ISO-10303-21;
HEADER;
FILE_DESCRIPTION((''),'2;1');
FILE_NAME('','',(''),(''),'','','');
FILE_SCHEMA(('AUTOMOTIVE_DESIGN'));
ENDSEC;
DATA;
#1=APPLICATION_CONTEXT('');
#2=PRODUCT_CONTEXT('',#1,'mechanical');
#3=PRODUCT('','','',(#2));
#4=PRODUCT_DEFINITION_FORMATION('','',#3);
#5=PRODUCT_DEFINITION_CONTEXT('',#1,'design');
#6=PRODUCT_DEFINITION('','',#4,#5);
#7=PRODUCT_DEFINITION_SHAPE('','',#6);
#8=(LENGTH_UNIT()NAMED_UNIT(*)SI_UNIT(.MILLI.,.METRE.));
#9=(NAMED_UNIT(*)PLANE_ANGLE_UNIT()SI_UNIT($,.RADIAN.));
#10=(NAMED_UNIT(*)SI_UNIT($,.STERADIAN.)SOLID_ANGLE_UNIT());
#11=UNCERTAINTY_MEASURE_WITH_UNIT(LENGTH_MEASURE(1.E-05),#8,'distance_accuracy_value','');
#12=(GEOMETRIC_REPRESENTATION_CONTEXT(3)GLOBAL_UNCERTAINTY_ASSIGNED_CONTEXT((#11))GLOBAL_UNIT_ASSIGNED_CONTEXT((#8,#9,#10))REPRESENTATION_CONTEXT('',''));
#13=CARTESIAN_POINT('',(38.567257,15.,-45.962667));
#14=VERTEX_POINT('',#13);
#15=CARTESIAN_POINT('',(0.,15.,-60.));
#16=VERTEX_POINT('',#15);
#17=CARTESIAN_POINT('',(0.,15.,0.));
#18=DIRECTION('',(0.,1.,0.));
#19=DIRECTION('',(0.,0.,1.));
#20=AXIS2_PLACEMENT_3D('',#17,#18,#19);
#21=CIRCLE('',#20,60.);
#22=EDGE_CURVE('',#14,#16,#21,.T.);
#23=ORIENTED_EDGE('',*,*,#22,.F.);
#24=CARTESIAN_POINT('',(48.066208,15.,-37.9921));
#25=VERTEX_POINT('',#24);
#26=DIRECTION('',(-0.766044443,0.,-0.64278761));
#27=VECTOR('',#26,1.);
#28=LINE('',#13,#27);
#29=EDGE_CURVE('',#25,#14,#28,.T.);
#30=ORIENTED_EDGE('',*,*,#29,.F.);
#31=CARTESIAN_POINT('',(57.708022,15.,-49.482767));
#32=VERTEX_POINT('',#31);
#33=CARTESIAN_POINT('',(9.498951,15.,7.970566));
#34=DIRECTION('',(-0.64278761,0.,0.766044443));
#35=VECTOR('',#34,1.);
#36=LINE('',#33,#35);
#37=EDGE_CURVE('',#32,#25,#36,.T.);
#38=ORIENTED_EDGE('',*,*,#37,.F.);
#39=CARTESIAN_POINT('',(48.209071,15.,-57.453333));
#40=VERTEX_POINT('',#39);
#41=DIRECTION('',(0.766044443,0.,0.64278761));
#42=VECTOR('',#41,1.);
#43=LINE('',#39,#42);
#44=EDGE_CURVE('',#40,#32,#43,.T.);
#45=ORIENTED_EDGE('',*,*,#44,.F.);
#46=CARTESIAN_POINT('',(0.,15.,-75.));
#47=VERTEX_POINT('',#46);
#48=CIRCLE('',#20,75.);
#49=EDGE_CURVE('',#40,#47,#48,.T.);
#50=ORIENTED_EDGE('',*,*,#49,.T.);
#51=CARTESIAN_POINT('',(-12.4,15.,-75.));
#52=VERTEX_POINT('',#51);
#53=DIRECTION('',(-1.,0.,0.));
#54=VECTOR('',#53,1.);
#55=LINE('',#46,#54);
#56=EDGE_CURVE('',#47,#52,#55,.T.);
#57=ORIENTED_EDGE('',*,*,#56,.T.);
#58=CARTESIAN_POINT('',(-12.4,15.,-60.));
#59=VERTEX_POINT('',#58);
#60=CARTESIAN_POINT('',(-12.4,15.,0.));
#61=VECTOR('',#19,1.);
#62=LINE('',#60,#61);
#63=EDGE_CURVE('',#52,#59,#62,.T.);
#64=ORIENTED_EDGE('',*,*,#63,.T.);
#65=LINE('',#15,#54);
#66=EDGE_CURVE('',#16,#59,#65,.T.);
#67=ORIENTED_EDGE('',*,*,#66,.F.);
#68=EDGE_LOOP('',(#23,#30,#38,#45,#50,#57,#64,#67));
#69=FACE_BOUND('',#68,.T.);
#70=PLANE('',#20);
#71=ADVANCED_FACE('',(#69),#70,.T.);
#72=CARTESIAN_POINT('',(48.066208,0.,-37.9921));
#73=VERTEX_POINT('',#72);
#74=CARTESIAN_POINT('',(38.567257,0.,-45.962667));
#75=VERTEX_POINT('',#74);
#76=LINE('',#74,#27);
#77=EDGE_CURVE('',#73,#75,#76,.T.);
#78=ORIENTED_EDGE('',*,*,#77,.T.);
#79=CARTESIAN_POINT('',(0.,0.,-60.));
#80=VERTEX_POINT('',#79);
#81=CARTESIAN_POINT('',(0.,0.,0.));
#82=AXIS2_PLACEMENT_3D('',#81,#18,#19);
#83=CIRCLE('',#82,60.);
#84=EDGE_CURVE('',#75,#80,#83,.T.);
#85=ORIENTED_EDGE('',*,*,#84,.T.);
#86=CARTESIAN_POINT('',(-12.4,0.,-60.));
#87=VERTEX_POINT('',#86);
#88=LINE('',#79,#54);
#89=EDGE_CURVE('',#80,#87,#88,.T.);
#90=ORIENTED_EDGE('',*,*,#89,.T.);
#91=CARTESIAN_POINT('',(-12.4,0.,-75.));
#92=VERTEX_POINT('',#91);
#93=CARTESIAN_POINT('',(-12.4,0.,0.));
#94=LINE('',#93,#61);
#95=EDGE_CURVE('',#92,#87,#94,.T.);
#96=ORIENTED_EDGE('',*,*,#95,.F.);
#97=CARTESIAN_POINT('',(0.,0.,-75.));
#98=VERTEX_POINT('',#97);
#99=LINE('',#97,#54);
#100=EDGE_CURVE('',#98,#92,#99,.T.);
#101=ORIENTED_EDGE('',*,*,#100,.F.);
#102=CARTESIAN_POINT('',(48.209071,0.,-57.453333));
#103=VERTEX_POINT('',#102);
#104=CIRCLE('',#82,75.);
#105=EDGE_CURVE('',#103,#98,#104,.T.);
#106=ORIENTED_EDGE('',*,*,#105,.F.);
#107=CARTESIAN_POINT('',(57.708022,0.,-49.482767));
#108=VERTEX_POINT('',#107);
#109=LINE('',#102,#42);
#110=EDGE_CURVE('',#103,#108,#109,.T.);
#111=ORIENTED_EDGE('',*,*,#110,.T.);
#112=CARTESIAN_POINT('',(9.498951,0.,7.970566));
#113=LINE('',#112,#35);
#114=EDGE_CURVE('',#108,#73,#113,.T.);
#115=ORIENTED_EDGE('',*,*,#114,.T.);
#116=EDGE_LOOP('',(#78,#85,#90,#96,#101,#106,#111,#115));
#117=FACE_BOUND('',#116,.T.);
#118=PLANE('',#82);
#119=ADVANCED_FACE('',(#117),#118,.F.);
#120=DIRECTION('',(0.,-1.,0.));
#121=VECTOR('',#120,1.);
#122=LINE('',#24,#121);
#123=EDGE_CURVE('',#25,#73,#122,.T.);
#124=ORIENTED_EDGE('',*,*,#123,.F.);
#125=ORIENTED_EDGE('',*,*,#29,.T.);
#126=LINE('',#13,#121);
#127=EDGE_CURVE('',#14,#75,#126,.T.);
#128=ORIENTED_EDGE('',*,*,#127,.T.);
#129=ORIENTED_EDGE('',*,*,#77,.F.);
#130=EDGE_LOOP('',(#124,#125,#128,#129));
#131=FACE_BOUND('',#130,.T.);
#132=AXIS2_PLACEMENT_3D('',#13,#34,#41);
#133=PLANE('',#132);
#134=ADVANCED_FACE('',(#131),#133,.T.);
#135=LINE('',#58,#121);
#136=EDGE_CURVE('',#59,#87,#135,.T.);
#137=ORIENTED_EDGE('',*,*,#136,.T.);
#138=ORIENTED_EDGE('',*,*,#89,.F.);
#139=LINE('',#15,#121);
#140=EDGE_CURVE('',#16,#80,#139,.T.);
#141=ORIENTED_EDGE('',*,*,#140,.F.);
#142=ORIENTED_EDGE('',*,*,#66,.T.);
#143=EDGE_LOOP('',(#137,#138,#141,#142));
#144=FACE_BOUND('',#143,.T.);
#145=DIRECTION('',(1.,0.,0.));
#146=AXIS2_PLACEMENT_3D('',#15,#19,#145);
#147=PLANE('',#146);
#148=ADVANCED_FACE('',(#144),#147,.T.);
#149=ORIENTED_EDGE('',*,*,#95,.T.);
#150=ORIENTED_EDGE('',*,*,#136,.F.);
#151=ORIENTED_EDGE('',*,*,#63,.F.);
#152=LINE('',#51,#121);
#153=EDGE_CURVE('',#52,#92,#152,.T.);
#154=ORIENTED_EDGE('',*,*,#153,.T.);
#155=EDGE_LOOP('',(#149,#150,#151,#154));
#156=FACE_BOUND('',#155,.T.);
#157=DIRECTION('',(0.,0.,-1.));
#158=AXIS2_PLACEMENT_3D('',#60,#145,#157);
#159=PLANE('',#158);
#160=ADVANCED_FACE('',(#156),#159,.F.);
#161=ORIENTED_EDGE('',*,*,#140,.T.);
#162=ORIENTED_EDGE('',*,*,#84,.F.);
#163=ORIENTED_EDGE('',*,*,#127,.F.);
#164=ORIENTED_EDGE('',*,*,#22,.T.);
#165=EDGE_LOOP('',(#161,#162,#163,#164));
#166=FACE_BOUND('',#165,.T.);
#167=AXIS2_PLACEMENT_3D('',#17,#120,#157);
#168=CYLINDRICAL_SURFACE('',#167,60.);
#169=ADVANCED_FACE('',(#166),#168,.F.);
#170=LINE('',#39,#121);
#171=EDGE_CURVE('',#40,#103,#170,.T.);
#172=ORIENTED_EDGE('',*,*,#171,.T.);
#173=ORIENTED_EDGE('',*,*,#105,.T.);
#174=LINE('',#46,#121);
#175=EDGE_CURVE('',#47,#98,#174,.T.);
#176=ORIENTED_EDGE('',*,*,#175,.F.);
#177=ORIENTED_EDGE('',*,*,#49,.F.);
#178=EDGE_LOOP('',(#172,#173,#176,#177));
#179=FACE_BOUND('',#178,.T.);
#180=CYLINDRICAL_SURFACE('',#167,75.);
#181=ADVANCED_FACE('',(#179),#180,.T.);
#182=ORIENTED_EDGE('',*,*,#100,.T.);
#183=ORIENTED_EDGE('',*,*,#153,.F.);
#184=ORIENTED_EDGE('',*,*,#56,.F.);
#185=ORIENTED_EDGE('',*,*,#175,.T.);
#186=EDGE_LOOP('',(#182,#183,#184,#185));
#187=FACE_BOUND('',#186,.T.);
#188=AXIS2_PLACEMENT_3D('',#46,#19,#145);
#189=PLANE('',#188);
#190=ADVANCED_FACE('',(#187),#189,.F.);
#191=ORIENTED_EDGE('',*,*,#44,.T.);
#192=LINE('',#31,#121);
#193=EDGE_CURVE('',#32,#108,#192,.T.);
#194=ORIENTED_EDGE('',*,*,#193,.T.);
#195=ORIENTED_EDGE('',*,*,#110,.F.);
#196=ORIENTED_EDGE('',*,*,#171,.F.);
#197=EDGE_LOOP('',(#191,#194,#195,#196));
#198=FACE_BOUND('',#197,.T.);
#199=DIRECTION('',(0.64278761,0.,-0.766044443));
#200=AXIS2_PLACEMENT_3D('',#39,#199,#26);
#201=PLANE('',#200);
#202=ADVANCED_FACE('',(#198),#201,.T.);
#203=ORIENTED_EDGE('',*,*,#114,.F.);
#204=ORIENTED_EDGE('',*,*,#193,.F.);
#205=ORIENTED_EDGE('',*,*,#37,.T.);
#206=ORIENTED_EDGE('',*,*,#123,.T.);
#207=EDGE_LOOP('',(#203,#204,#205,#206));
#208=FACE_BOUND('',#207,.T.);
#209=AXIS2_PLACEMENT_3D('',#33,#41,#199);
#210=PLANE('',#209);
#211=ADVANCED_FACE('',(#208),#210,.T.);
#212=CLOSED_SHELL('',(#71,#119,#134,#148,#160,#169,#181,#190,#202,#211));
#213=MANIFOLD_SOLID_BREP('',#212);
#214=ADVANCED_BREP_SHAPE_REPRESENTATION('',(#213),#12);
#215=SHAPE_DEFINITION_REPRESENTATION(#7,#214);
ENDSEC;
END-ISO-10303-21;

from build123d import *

# Parameters (mm, degrees)
BOSS_EXTRUDE1_DEPTH = 15


with BuildPart() as part:
    # Sketch1 → Boss-Extrude1 (new body)
    with BuildSketch(Plane(origin=(0, 0, 0), x_dir=(1, 0, 0), z_dir=(0, 1, 0))):
        with BuildLine():
            Line((0, 75), (0, 60))
            ThreePointArc((0, 60), (20.5212086, 56.381557247), (38.567256581, 45.962666587))
            Line((38.567256581, 45.962666587), (48.209070726, 57.453333234))
            ThreePointArc((48.209070726, 57.453333234), (25.651510749, 70.476946559), (0, 75))
        make_face()
        with BuildLine():
            Line((48.209070726, 57.453333234), (38.567256581, 45.962666587))
            Line((38.567256581, 45.962666587), (48.066207676, 37.992100227))
            Line((48.066207676, 37.992100227), (57.044556278, 48.692079429))
            ThreePointArc((57.044556278, 48.692079429), (52.808819258, 53.256254173), (48.209070726, 57.453333234))
        make_face()
        with BuildLine():
            Line((57.708021821, 49.482766874), (48.209070726, 57.453333234))
            ThreePointArc((48.209070726, 57.453333234), (52.808819258, 53.256254173), (57.044556278, 48.692079429))
            Line((57.044556278, 48.692079429), (57.708021821, 49.482766874))
        make_face()
        with BuildLine():
            ThreePointArc((-12.4, 73.967830846), (-6.22144222, 74.741512272), (0, 75))
            Line((0, 75), (-12.4, 75))
            Line((-12.4, 75), (-12.4, 73.967830846))
        make_face()
        with BuildLine():
            Line((-12.4, 60), (0, 60))
            Line((0, 60), (0, 75))
            ThreePointArc((0, 75), (-6.22144222, 74.741512272), (-12.4, 73.967830846))
            Line((-12.4, 73.967830846), (-12.4, 60))
        make_face()
    extrude(amount=BOSS_EXTRUDE1_DEPTH)


solid = part.part
